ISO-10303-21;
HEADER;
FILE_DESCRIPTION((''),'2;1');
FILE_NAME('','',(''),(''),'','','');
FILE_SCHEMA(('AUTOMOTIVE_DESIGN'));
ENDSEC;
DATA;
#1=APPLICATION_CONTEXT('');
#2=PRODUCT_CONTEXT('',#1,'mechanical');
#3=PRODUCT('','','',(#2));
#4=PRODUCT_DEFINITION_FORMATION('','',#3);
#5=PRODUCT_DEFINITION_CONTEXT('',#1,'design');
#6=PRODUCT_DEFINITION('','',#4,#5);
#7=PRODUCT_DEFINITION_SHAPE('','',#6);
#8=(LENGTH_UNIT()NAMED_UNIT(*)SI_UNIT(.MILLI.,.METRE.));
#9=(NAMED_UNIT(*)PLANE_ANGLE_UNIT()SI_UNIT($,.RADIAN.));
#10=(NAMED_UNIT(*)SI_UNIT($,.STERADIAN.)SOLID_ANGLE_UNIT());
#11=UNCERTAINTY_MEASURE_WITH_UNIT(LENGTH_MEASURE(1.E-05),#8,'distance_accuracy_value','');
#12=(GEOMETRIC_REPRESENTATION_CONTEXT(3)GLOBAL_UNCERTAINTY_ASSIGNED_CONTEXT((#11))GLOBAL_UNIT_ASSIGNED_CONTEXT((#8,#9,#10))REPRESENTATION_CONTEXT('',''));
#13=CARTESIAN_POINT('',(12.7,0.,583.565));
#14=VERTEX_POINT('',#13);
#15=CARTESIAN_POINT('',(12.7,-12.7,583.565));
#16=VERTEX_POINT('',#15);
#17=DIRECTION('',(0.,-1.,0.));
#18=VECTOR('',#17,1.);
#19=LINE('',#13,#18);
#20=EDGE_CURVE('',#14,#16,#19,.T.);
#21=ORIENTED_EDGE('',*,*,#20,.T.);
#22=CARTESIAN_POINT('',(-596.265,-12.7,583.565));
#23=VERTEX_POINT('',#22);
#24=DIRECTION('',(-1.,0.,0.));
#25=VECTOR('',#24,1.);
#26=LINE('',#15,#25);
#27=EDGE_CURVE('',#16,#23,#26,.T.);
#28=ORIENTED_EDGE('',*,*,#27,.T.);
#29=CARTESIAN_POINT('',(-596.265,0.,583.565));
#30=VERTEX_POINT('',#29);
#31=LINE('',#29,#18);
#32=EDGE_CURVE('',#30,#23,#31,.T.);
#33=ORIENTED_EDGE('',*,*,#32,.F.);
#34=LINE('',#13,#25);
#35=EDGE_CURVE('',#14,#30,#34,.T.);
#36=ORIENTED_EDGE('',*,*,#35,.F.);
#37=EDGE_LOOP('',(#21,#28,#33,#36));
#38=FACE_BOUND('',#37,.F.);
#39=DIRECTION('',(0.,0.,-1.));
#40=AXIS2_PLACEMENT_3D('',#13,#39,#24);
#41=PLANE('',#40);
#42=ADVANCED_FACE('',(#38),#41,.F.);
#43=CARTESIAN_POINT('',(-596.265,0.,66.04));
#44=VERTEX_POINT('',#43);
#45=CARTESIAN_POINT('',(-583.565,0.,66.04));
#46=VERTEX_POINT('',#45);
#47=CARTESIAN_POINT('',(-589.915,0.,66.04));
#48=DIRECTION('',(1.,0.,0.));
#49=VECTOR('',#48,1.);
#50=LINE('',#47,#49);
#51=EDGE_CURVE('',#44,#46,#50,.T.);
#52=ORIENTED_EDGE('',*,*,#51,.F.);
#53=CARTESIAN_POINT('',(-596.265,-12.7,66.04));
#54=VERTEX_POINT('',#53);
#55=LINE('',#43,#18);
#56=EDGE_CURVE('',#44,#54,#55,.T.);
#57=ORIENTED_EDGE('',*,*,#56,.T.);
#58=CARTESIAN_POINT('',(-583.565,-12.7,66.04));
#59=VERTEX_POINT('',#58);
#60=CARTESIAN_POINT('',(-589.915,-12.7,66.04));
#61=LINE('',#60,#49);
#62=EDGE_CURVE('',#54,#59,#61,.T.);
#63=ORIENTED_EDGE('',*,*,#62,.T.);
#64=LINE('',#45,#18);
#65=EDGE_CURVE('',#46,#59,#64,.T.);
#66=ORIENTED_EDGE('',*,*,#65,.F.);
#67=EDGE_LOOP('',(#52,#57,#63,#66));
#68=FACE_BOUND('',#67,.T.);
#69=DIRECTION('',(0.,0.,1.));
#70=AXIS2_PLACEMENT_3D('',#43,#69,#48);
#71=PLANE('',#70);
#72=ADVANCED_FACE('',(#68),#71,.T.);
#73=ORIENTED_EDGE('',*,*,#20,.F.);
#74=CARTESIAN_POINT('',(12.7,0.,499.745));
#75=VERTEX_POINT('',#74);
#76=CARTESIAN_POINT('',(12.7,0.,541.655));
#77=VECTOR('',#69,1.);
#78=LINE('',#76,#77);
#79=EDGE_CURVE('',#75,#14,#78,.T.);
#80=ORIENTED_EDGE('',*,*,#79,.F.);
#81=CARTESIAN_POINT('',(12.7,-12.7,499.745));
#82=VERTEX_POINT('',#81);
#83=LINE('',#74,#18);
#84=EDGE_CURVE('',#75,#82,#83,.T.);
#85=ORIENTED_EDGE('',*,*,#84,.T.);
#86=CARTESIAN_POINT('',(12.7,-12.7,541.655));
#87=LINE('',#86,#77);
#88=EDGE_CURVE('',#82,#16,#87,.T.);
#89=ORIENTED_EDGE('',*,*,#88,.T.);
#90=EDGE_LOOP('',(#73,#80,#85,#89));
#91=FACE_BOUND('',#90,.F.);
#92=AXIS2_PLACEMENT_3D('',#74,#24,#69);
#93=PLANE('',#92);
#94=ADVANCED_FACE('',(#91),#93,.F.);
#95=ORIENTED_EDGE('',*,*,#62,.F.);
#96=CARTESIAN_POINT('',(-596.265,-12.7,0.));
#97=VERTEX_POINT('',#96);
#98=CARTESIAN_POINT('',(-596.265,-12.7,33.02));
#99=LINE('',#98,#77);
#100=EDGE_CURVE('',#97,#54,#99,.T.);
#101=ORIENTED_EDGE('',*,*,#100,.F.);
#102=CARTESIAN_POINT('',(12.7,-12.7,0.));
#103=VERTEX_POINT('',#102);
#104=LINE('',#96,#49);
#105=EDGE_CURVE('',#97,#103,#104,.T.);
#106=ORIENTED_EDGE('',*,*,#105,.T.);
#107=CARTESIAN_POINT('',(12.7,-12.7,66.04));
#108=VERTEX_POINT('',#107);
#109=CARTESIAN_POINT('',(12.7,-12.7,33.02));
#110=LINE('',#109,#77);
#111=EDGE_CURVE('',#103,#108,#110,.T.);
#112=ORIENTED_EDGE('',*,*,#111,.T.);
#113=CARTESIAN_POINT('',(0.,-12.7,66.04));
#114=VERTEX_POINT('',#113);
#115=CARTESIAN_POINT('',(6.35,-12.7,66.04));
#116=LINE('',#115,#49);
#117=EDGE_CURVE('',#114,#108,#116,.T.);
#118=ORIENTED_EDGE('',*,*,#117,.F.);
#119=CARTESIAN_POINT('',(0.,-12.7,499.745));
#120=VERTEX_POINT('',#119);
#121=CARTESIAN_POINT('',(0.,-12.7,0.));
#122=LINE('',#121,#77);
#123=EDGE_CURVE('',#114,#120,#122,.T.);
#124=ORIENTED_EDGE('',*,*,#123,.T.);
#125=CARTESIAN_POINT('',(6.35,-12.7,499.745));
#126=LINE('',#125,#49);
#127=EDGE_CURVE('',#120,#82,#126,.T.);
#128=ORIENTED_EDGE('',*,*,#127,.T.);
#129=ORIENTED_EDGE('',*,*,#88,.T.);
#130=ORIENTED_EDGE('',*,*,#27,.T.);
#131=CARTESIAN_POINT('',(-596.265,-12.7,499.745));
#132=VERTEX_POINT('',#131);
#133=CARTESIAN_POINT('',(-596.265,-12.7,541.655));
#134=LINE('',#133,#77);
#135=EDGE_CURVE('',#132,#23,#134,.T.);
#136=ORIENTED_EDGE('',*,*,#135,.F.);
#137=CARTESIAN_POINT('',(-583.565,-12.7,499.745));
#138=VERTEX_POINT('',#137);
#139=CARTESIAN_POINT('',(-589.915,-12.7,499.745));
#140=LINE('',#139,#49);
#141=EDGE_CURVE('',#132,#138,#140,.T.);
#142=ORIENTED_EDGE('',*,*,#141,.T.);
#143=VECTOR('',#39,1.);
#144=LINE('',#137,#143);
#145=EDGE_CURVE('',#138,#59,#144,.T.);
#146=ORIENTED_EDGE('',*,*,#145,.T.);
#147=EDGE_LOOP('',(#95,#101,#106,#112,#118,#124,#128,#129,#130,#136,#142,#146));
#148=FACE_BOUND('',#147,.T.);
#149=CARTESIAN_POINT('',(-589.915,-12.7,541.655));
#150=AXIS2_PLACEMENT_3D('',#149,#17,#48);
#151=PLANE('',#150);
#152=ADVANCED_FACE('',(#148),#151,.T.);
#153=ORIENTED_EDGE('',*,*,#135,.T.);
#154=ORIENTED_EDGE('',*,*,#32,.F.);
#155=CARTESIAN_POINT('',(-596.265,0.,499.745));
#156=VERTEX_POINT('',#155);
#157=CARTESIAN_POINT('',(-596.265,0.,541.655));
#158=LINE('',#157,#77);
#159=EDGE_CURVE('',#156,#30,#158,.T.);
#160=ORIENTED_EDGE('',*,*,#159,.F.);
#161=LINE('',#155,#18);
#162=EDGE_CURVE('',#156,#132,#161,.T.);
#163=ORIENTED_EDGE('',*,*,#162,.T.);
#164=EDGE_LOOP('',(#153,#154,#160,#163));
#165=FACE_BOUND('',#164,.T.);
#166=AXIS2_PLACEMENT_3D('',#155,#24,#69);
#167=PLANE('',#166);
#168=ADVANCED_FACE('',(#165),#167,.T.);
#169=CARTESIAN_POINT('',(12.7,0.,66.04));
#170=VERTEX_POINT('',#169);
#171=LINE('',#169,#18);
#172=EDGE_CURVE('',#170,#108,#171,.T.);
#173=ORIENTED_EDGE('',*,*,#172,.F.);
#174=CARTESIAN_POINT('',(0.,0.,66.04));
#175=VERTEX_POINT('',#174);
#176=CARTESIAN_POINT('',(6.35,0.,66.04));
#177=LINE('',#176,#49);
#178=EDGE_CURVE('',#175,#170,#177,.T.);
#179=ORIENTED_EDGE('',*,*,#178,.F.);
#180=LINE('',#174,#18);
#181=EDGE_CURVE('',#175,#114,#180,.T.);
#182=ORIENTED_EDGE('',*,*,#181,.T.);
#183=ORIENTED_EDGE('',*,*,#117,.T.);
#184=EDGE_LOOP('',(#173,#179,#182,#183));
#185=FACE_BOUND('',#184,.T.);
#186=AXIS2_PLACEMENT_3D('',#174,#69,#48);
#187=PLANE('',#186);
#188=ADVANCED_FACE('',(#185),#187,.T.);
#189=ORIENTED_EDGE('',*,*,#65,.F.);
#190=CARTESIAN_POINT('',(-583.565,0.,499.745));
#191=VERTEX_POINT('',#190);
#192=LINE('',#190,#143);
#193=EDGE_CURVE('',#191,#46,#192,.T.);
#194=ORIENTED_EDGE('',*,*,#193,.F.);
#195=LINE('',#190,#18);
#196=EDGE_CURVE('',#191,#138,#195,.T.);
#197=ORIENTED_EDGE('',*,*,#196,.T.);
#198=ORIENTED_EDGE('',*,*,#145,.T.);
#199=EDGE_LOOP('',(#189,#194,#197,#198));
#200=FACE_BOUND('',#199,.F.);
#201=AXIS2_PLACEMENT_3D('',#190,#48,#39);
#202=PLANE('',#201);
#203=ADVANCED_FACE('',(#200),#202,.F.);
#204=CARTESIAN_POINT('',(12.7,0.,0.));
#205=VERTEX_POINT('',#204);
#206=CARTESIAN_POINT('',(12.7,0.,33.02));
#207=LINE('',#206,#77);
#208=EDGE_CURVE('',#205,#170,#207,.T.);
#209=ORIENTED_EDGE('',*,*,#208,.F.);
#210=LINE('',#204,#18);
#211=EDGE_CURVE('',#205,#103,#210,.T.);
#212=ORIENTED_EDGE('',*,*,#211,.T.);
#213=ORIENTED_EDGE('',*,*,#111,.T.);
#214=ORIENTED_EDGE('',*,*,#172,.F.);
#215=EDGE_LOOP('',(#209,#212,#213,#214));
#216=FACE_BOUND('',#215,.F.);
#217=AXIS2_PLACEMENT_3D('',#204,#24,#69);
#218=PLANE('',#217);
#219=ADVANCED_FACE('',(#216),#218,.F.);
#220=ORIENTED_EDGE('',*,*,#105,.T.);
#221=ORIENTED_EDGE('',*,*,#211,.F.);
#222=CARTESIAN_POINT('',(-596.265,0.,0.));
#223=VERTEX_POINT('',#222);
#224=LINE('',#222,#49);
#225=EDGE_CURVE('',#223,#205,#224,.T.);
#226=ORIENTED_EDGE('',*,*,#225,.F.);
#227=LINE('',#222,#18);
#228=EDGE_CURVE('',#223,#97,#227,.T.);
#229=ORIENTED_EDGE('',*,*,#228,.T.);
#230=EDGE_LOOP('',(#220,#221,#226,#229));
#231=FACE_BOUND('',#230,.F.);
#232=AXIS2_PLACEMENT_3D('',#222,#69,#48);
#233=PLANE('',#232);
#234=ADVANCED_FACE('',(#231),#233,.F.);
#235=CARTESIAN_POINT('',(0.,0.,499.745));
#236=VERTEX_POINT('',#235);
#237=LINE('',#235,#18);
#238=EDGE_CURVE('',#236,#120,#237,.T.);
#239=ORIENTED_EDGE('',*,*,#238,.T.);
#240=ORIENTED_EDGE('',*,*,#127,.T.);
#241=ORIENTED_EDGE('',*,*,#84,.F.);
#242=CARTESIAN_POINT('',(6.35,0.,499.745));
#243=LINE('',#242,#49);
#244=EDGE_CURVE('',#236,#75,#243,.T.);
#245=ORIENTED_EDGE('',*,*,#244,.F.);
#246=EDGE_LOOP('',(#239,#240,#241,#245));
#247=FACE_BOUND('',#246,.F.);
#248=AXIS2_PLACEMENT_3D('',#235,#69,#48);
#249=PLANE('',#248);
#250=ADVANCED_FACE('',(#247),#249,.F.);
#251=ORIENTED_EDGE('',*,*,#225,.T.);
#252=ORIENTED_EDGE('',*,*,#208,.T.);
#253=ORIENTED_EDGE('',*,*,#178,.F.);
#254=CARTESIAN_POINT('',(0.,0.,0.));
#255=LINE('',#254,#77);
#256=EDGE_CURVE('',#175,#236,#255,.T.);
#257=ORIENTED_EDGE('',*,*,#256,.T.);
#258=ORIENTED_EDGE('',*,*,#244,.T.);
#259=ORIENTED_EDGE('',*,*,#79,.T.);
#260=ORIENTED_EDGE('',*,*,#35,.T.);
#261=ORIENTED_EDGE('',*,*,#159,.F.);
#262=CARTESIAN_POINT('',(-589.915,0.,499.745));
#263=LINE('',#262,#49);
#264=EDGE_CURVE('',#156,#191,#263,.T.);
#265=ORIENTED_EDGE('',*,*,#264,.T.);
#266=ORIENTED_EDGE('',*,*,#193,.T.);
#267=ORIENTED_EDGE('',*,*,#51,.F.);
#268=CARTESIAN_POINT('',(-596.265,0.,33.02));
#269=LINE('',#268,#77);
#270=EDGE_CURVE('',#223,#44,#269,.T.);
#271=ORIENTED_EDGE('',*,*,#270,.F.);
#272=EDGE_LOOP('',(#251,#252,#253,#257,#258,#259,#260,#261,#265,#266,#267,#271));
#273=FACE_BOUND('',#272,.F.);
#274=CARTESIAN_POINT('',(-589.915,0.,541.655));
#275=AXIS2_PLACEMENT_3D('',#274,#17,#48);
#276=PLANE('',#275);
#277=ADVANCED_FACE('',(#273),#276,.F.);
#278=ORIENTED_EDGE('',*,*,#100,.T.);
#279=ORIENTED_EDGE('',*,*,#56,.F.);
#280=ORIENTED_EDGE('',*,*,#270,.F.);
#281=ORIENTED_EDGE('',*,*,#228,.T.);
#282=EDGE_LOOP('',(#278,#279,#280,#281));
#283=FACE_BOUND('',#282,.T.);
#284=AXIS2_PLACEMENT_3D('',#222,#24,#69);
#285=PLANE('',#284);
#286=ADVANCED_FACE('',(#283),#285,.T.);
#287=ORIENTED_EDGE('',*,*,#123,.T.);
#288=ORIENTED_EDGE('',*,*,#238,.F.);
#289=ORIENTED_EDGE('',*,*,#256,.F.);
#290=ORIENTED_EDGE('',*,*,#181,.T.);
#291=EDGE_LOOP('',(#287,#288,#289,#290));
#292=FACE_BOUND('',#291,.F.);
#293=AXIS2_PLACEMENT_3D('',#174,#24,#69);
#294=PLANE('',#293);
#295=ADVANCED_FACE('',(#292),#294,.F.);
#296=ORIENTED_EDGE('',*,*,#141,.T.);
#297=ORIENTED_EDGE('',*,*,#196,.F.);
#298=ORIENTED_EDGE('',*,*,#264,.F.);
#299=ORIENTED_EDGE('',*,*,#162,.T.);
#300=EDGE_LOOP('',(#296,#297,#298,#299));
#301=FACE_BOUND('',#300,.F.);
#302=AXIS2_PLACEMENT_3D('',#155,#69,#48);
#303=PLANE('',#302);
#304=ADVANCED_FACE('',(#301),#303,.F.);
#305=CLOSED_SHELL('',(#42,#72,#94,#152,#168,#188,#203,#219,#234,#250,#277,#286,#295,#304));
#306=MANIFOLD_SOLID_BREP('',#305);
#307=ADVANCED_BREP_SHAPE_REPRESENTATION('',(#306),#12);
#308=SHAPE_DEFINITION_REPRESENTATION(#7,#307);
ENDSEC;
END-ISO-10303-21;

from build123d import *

# Parameters (mm, degrees)
F0_W     = 12.7
F0_H     = 83.82
F0_H_2   = 66.04
F1_DEPTH = 12.7


with BuildPart() as f1:
    # F0 (on Front) → F1 (new body)
    with BuildSketch(Plane.XZ):
        with Locations((-589.915, 541.655)):
            Rectangle(F0_W, F0_H)
        Polygon((-583.565, 0), (0, 0), (0, 66.04), (0, 499.745), (0, 583.565), (-583.565, 583.565), (-583.565, 499.745), (-583.565, 66.04), align=None)
        with Locations((-589.915, 33.02)):
            Rectangle(F0_W, F0_H_2)
        with Locations((6.35, 33.02)):
            Rectangle(F0_W, F0_H_2)
        with Locations((6.35, 541.655)):
            Rectangle(F0_W, F0_H)
    extrude(amount=F1_DEPTH)


solid = f1.part
